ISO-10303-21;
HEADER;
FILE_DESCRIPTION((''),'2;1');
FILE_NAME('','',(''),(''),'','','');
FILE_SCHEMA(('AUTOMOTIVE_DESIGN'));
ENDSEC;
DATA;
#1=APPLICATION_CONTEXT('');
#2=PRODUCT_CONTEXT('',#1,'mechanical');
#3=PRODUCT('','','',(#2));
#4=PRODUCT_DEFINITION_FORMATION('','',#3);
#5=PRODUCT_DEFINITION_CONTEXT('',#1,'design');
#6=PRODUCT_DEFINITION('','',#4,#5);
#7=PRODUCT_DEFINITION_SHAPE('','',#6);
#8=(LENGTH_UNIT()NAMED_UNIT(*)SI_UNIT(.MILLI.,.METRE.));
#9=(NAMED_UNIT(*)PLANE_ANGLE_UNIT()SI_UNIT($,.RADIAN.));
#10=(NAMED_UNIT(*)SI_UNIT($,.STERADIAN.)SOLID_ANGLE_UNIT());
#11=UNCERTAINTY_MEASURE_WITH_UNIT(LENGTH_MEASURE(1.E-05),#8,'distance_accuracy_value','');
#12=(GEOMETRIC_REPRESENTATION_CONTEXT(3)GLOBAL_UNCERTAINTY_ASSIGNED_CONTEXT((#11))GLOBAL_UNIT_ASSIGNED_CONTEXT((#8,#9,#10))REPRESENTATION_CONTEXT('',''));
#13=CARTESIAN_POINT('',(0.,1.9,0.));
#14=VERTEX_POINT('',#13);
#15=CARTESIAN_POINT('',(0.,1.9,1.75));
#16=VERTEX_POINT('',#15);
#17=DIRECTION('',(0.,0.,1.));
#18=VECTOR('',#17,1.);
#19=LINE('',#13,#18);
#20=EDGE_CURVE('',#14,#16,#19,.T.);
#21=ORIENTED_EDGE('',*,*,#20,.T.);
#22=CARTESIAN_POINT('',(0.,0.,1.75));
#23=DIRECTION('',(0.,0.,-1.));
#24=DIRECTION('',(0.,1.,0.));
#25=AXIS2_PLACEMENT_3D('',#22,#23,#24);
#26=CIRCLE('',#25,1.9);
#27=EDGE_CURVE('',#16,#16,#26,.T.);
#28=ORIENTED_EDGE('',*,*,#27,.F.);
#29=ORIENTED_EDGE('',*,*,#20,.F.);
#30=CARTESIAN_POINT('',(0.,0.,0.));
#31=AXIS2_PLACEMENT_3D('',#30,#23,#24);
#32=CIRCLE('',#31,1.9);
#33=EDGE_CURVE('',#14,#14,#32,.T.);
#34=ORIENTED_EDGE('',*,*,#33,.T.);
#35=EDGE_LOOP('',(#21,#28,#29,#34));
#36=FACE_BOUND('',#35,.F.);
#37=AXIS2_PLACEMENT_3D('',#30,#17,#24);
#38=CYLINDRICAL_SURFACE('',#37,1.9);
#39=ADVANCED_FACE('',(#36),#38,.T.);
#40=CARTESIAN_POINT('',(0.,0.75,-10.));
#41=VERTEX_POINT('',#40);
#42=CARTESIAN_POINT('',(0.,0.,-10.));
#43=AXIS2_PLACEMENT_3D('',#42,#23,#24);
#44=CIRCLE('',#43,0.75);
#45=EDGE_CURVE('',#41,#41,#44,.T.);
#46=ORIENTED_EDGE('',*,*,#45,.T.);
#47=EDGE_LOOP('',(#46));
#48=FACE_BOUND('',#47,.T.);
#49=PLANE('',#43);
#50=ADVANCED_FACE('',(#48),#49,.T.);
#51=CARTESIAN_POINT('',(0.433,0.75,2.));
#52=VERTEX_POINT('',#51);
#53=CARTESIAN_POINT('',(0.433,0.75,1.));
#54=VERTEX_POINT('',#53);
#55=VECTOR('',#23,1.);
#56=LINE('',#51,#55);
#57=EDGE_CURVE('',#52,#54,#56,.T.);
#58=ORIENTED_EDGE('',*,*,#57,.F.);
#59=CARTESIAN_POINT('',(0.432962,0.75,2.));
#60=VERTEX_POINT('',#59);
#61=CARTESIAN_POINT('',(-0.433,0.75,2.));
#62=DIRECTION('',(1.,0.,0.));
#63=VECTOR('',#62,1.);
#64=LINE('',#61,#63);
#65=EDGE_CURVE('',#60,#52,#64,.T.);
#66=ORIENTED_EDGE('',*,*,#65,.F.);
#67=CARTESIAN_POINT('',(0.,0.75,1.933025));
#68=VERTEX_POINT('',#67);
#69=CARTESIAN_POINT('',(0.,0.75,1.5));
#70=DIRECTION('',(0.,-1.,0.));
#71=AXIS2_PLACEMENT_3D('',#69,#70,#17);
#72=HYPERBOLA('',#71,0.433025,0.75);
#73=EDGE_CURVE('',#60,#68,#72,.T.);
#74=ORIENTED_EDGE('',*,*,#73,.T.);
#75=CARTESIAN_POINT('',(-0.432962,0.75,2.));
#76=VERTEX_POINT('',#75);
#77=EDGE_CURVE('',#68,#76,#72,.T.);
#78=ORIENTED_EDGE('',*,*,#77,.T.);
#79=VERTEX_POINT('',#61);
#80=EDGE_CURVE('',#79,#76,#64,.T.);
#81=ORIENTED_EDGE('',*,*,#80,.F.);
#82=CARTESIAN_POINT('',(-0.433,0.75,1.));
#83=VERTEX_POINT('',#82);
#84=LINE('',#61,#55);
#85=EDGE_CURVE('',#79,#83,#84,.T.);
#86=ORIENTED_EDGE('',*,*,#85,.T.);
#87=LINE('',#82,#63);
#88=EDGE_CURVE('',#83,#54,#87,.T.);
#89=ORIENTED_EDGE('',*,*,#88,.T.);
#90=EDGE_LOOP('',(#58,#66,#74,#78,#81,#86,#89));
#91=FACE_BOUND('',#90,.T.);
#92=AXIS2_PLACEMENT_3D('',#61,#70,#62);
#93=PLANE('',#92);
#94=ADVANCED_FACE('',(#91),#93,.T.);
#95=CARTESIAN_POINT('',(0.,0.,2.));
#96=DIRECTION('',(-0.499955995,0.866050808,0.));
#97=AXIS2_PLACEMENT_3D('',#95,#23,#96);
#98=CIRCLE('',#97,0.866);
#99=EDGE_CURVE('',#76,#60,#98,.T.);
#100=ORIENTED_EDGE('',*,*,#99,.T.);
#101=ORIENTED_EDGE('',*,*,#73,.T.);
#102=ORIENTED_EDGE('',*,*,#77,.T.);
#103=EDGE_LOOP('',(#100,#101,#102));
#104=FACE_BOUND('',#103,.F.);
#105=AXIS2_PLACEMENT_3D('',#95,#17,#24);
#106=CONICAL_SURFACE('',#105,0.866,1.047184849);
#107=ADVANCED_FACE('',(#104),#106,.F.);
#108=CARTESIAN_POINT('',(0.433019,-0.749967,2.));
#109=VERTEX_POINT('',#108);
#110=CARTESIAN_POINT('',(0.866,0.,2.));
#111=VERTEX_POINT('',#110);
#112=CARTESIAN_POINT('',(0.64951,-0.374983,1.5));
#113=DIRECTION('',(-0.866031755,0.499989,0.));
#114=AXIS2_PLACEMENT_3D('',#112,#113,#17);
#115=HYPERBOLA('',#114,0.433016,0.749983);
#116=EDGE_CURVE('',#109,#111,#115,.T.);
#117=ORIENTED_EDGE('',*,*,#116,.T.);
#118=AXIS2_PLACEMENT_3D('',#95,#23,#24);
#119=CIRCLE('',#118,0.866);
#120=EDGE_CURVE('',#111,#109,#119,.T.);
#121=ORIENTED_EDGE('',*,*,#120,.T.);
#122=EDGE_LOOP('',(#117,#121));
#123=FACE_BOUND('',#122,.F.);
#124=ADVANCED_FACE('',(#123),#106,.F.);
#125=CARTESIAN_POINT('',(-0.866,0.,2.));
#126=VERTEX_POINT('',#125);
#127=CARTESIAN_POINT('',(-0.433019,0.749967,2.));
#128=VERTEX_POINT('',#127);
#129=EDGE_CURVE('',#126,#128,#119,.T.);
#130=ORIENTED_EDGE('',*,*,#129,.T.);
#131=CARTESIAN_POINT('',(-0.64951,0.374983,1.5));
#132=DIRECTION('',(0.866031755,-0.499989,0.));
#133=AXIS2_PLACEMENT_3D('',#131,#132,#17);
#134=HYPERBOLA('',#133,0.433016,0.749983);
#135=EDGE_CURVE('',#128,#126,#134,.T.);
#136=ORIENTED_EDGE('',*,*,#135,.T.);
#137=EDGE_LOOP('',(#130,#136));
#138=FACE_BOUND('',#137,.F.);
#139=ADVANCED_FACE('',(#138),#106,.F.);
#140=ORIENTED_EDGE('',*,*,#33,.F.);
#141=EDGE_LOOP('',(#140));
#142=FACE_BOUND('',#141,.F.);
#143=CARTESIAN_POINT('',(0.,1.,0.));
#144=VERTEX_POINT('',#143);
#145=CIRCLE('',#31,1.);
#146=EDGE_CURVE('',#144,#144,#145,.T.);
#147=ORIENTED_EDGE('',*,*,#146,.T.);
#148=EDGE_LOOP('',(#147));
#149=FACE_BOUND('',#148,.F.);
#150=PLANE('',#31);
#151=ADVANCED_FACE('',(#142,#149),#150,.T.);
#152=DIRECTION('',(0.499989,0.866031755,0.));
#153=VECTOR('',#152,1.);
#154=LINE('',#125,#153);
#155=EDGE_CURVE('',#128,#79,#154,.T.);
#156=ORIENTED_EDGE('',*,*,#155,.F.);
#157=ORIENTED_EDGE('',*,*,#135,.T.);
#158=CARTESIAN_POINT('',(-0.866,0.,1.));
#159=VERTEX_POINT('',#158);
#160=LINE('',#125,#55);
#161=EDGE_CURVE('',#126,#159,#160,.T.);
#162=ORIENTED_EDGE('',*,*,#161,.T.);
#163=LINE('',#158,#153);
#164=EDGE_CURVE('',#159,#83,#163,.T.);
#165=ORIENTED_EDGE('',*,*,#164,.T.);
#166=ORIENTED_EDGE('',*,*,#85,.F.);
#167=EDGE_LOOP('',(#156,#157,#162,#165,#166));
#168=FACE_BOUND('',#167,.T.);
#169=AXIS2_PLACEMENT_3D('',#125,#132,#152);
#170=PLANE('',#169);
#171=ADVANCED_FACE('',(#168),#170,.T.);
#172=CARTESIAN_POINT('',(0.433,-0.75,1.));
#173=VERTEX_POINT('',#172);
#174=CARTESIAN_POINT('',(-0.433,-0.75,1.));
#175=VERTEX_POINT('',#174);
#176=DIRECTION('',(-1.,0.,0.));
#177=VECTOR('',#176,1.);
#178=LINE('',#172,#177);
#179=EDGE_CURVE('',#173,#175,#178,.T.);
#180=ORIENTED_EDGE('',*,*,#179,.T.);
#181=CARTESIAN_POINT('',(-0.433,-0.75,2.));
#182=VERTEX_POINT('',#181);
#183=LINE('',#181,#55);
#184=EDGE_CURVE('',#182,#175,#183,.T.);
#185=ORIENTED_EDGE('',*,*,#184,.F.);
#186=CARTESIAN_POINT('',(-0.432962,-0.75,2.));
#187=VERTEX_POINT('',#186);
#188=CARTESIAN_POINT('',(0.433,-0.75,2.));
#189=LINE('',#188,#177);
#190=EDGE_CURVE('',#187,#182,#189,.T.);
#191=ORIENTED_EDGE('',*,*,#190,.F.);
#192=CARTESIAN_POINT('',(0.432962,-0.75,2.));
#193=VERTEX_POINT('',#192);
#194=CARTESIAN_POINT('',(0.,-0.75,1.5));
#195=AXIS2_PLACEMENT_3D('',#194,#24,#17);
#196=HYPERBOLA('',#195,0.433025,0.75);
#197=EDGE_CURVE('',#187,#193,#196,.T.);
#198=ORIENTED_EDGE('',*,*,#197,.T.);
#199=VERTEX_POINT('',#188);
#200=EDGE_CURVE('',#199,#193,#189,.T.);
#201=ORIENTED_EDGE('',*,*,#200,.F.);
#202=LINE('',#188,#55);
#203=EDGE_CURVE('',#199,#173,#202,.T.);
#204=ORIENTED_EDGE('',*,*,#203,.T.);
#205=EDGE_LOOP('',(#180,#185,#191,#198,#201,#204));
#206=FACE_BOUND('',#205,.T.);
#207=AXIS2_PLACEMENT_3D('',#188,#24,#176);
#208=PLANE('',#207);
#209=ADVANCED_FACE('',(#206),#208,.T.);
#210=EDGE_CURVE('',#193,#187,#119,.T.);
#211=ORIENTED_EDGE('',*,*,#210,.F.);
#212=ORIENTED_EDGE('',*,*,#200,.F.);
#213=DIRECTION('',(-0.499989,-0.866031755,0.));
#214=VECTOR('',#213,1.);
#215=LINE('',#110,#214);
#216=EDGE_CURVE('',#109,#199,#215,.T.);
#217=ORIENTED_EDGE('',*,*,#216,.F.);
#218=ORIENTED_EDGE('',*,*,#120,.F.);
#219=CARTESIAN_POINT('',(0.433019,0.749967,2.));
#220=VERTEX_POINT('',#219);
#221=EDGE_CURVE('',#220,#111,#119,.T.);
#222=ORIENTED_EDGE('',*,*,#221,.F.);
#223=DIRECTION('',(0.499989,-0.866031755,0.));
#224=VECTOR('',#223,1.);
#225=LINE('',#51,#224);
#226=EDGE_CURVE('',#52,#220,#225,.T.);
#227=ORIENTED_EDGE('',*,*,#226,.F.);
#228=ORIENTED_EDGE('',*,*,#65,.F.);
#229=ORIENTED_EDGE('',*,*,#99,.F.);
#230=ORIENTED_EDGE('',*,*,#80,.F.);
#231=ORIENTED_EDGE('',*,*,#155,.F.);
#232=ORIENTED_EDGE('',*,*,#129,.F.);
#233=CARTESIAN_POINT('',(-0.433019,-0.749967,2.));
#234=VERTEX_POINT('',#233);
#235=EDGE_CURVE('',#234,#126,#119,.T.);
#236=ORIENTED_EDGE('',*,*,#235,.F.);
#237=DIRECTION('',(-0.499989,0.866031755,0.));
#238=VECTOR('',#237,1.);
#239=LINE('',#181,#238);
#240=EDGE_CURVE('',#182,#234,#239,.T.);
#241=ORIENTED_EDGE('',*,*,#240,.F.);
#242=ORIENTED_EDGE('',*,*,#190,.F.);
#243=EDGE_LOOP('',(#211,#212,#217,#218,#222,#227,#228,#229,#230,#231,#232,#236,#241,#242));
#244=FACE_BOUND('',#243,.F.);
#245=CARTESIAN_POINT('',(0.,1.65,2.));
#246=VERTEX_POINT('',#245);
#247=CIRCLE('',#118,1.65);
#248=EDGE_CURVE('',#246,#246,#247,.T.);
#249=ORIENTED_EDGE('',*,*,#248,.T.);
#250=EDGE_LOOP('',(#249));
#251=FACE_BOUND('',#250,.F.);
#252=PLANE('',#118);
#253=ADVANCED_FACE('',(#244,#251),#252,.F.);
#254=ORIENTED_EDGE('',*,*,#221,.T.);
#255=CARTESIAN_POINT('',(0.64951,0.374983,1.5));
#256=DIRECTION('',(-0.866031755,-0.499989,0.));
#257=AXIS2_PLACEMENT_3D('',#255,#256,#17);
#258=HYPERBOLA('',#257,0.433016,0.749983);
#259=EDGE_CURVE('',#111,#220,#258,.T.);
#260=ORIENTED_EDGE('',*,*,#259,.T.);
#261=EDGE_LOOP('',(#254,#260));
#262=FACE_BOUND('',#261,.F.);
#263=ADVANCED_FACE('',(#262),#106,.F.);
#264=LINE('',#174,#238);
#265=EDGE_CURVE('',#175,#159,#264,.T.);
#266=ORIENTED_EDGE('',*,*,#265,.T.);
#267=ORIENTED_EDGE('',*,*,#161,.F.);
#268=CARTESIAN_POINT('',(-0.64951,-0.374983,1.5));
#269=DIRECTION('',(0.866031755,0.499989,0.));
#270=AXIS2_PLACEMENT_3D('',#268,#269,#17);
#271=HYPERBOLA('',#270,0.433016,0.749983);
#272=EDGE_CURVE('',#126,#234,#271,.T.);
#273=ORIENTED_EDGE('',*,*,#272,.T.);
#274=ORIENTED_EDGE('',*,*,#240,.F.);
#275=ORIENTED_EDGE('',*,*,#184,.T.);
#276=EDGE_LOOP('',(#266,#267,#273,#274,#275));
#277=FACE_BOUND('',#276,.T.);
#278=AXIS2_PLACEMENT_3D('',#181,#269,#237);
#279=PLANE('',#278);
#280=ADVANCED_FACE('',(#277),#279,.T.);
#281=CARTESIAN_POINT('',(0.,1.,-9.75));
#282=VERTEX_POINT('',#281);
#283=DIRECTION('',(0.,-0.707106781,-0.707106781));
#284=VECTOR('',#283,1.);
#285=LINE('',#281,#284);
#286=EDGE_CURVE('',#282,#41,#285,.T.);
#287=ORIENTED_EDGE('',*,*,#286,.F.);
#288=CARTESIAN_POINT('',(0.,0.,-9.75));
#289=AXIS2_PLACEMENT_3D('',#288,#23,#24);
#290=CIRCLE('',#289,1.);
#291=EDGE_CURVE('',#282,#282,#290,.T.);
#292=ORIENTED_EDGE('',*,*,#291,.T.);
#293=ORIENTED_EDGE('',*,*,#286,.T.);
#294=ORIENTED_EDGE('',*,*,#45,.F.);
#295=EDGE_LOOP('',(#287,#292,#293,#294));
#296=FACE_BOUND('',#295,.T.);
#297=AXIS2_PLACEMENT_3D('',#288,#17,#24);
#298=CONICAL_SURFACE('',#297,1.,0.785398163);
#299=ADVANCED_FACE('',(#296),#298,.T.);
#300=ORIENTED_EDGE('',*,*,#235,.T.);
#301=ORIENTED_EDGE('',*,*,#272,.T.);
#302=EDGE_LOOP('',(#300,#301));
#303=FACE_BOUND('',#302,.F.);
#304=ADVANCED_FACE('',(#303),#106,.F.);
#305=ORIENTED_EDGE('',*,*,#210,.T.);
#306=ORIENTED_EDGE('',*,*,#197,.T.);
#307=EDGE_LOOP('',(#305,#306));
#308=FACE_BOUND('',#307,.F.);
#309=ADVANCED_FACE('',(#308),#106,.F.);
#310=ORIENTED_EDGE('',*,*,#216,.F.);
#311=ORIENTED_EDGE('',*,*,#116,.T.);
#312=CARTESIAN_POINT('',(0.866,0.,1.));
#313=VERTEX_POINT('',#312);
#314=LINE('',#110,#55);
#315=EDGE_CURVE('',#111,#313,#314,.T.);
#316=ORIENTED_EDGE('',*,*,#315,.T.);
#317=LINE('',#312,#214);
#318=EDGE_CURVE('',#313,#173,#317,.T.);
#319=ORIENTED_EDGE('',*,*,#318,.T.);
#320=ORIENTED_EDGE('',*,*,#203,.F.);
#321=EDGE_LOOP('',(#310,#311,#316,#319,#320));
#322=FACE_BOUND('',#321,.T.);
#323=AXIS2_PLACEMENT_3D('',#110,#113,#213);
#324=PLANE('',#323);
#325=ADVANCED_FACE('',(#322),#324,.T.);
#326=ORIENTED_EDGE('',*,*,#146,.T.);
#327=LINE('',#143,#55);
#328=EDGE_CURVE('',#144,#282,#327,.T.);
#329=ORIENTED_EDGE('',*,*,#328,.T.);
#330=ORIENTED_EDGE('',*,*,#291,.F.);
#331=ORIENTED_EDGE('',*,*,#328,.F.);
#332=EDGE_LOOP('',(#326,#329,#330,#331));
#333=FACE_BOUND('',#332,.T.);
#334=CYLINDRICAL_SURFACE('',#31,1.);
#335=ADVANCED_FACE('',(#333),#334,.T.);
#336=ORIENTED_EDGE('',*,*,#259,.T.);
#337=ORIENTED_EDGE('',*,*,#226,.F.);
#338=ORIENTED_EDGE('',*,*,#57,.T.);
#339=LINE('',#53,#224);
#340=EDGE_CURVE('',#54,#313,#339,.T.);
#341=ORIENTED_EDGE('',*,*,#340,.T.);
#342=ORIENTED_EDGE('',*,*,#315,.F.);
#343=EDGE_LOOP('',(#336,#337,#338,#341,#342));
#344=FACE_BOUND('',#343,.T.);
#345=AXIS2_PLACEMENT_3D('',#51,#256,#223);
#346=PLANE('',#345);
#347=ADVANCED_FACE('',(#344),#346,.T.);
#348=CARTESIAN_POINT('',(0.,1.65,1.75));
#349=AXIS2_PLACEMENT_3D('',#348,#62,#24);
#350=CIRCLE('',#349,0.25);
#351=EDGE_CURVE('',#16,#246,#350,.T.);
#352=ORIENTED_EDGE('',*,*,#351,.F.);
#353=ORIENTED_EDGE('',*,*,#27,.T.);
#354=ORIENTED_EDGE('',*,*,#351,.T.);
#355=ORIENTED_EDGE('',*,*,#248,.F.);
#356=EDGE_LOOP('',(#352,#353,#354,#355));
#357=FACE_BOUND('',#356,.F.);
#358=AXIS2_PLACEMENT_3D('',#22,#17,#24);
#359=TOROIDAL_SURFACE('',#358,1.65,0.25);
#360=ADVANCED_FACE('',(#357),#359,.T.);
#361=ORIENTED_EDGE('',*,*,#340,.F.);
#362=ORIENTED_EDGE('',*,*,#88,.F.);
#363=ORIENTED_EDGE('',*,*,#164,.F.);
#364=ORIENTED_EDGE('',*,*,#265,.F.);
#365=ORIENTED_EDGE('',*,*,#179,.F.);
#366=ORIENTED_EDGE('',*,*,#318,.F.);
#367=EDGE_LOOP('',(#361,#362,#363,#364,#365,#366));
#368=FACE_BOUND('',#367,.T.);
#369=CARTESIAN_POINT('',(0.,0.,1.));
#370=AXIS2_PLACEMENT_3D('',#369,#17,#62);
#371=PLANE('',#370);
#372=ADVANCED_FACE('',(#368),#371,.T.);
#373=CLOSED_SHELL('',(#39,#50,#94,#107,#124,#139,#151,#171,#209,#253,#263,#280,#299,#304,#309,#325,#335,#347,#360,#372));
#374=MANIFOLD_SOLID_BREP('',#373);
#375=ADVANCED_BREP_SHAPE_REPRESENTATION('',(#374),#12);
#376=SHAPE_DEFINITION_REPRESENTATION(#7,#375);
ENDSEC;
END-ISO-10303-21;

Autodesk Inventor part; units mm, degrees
ref_plane "YZ Plane" through (0, 0, 0) normal (1, 0, 0) x (0, 1, 0)
ref_plane "XZ Plane" through (0, 0, 0) normal (0, 1, 0) x (-1, 0, 0)
ref_plane "XY Plane" through (0, 0, 0) normal (0, 0, 1) x (1, 0, 0)
sketch "スケッチ1" plane through (0, 0, 0) normal (1, 0, 0) x (0, 1, 0)
  line L0 (0, 0) -> (1, 0) construction
  line L1 (1.9, 0) -> (1.9, 1.75)
  line L2 (1.65, 2) -> (0.866, 2)
  line L3 (0, 2) -> (0, 1.5) construction
  line L4 (1, 0) -> (1, -10)
  line L5 (1, -10) -> (0, -10)
  line L6 (0, -10) -> (0, 0)
  line L7 (1, 0) -> (1.9, 0)
  line L8 (0.866, 2) -> (0.433, 1.25) construction
  line L9 (0.433, 1.25) -> (-0.433, 1.25) construction
  line L10 (-0.433, 1.25) -> (-0.866, 2) construction
  line L11 (-0.866, 2) -> (-0.433, 2.75) construction
  line L12 (-0.433, 2.75) -> (0.433, 2.75) construction
  line L13 (0.433, 2.75) -> (0.866, 2) construction
  line L14 (0.866, 2) -> (0, 1.5)
  line L15 (0.866, 2) -> (0, 2) construction
  line L16 (0, 1.5) -> (0, 0)
  arc A0 (1.9, 1.75) -> (1.65, 2) centre (1.65, 1.75) ccw
  dimension "d0" = 1.5
  dimension "d1" = 3.8
  dimension "d2" = 2
  dimension "d3" = 10
  dimension "d4" = 2
  dimension "d6" = 0.25
  dimension "d11" = 30
revolve "回転1" add sketch "スケッチ1" angle 360 about axis through (0, 0, 1.5) along (0, 0, -1)
sketch "スケッチ2" plane through (0, 0, 2) normal (0, 0, 1) x (1, 0, 0)
  line L0 (0.866, 0) -> (0.433, -0.75)
  line L1 (0.433, -0.75) -> (-0.433, -0.75)
  line L2 (-0.433, -0.75) -> (-0.866, 0)
  line L3 (-0.866, 0) -> (-0.433, 0.75)
  line L4 (-0.433, 0.75) -> (0.433, 0.75)
  line L5 (0.433, 0.75) -> (0.866, 0)
  point P0 (0, 0)
  point P1 (0, 0)
  dimension "d8" = 1.5
extrude "押し出し1" cut sketch "スケッチ2" against normal blind 1
chamfer "面取り1" distance 0.25 angle 45 1 edges at (0, -1, -10)
properties part number "10_053_CAP_BOLT_M2X10_R1" material "鋼、炭素鋼"
